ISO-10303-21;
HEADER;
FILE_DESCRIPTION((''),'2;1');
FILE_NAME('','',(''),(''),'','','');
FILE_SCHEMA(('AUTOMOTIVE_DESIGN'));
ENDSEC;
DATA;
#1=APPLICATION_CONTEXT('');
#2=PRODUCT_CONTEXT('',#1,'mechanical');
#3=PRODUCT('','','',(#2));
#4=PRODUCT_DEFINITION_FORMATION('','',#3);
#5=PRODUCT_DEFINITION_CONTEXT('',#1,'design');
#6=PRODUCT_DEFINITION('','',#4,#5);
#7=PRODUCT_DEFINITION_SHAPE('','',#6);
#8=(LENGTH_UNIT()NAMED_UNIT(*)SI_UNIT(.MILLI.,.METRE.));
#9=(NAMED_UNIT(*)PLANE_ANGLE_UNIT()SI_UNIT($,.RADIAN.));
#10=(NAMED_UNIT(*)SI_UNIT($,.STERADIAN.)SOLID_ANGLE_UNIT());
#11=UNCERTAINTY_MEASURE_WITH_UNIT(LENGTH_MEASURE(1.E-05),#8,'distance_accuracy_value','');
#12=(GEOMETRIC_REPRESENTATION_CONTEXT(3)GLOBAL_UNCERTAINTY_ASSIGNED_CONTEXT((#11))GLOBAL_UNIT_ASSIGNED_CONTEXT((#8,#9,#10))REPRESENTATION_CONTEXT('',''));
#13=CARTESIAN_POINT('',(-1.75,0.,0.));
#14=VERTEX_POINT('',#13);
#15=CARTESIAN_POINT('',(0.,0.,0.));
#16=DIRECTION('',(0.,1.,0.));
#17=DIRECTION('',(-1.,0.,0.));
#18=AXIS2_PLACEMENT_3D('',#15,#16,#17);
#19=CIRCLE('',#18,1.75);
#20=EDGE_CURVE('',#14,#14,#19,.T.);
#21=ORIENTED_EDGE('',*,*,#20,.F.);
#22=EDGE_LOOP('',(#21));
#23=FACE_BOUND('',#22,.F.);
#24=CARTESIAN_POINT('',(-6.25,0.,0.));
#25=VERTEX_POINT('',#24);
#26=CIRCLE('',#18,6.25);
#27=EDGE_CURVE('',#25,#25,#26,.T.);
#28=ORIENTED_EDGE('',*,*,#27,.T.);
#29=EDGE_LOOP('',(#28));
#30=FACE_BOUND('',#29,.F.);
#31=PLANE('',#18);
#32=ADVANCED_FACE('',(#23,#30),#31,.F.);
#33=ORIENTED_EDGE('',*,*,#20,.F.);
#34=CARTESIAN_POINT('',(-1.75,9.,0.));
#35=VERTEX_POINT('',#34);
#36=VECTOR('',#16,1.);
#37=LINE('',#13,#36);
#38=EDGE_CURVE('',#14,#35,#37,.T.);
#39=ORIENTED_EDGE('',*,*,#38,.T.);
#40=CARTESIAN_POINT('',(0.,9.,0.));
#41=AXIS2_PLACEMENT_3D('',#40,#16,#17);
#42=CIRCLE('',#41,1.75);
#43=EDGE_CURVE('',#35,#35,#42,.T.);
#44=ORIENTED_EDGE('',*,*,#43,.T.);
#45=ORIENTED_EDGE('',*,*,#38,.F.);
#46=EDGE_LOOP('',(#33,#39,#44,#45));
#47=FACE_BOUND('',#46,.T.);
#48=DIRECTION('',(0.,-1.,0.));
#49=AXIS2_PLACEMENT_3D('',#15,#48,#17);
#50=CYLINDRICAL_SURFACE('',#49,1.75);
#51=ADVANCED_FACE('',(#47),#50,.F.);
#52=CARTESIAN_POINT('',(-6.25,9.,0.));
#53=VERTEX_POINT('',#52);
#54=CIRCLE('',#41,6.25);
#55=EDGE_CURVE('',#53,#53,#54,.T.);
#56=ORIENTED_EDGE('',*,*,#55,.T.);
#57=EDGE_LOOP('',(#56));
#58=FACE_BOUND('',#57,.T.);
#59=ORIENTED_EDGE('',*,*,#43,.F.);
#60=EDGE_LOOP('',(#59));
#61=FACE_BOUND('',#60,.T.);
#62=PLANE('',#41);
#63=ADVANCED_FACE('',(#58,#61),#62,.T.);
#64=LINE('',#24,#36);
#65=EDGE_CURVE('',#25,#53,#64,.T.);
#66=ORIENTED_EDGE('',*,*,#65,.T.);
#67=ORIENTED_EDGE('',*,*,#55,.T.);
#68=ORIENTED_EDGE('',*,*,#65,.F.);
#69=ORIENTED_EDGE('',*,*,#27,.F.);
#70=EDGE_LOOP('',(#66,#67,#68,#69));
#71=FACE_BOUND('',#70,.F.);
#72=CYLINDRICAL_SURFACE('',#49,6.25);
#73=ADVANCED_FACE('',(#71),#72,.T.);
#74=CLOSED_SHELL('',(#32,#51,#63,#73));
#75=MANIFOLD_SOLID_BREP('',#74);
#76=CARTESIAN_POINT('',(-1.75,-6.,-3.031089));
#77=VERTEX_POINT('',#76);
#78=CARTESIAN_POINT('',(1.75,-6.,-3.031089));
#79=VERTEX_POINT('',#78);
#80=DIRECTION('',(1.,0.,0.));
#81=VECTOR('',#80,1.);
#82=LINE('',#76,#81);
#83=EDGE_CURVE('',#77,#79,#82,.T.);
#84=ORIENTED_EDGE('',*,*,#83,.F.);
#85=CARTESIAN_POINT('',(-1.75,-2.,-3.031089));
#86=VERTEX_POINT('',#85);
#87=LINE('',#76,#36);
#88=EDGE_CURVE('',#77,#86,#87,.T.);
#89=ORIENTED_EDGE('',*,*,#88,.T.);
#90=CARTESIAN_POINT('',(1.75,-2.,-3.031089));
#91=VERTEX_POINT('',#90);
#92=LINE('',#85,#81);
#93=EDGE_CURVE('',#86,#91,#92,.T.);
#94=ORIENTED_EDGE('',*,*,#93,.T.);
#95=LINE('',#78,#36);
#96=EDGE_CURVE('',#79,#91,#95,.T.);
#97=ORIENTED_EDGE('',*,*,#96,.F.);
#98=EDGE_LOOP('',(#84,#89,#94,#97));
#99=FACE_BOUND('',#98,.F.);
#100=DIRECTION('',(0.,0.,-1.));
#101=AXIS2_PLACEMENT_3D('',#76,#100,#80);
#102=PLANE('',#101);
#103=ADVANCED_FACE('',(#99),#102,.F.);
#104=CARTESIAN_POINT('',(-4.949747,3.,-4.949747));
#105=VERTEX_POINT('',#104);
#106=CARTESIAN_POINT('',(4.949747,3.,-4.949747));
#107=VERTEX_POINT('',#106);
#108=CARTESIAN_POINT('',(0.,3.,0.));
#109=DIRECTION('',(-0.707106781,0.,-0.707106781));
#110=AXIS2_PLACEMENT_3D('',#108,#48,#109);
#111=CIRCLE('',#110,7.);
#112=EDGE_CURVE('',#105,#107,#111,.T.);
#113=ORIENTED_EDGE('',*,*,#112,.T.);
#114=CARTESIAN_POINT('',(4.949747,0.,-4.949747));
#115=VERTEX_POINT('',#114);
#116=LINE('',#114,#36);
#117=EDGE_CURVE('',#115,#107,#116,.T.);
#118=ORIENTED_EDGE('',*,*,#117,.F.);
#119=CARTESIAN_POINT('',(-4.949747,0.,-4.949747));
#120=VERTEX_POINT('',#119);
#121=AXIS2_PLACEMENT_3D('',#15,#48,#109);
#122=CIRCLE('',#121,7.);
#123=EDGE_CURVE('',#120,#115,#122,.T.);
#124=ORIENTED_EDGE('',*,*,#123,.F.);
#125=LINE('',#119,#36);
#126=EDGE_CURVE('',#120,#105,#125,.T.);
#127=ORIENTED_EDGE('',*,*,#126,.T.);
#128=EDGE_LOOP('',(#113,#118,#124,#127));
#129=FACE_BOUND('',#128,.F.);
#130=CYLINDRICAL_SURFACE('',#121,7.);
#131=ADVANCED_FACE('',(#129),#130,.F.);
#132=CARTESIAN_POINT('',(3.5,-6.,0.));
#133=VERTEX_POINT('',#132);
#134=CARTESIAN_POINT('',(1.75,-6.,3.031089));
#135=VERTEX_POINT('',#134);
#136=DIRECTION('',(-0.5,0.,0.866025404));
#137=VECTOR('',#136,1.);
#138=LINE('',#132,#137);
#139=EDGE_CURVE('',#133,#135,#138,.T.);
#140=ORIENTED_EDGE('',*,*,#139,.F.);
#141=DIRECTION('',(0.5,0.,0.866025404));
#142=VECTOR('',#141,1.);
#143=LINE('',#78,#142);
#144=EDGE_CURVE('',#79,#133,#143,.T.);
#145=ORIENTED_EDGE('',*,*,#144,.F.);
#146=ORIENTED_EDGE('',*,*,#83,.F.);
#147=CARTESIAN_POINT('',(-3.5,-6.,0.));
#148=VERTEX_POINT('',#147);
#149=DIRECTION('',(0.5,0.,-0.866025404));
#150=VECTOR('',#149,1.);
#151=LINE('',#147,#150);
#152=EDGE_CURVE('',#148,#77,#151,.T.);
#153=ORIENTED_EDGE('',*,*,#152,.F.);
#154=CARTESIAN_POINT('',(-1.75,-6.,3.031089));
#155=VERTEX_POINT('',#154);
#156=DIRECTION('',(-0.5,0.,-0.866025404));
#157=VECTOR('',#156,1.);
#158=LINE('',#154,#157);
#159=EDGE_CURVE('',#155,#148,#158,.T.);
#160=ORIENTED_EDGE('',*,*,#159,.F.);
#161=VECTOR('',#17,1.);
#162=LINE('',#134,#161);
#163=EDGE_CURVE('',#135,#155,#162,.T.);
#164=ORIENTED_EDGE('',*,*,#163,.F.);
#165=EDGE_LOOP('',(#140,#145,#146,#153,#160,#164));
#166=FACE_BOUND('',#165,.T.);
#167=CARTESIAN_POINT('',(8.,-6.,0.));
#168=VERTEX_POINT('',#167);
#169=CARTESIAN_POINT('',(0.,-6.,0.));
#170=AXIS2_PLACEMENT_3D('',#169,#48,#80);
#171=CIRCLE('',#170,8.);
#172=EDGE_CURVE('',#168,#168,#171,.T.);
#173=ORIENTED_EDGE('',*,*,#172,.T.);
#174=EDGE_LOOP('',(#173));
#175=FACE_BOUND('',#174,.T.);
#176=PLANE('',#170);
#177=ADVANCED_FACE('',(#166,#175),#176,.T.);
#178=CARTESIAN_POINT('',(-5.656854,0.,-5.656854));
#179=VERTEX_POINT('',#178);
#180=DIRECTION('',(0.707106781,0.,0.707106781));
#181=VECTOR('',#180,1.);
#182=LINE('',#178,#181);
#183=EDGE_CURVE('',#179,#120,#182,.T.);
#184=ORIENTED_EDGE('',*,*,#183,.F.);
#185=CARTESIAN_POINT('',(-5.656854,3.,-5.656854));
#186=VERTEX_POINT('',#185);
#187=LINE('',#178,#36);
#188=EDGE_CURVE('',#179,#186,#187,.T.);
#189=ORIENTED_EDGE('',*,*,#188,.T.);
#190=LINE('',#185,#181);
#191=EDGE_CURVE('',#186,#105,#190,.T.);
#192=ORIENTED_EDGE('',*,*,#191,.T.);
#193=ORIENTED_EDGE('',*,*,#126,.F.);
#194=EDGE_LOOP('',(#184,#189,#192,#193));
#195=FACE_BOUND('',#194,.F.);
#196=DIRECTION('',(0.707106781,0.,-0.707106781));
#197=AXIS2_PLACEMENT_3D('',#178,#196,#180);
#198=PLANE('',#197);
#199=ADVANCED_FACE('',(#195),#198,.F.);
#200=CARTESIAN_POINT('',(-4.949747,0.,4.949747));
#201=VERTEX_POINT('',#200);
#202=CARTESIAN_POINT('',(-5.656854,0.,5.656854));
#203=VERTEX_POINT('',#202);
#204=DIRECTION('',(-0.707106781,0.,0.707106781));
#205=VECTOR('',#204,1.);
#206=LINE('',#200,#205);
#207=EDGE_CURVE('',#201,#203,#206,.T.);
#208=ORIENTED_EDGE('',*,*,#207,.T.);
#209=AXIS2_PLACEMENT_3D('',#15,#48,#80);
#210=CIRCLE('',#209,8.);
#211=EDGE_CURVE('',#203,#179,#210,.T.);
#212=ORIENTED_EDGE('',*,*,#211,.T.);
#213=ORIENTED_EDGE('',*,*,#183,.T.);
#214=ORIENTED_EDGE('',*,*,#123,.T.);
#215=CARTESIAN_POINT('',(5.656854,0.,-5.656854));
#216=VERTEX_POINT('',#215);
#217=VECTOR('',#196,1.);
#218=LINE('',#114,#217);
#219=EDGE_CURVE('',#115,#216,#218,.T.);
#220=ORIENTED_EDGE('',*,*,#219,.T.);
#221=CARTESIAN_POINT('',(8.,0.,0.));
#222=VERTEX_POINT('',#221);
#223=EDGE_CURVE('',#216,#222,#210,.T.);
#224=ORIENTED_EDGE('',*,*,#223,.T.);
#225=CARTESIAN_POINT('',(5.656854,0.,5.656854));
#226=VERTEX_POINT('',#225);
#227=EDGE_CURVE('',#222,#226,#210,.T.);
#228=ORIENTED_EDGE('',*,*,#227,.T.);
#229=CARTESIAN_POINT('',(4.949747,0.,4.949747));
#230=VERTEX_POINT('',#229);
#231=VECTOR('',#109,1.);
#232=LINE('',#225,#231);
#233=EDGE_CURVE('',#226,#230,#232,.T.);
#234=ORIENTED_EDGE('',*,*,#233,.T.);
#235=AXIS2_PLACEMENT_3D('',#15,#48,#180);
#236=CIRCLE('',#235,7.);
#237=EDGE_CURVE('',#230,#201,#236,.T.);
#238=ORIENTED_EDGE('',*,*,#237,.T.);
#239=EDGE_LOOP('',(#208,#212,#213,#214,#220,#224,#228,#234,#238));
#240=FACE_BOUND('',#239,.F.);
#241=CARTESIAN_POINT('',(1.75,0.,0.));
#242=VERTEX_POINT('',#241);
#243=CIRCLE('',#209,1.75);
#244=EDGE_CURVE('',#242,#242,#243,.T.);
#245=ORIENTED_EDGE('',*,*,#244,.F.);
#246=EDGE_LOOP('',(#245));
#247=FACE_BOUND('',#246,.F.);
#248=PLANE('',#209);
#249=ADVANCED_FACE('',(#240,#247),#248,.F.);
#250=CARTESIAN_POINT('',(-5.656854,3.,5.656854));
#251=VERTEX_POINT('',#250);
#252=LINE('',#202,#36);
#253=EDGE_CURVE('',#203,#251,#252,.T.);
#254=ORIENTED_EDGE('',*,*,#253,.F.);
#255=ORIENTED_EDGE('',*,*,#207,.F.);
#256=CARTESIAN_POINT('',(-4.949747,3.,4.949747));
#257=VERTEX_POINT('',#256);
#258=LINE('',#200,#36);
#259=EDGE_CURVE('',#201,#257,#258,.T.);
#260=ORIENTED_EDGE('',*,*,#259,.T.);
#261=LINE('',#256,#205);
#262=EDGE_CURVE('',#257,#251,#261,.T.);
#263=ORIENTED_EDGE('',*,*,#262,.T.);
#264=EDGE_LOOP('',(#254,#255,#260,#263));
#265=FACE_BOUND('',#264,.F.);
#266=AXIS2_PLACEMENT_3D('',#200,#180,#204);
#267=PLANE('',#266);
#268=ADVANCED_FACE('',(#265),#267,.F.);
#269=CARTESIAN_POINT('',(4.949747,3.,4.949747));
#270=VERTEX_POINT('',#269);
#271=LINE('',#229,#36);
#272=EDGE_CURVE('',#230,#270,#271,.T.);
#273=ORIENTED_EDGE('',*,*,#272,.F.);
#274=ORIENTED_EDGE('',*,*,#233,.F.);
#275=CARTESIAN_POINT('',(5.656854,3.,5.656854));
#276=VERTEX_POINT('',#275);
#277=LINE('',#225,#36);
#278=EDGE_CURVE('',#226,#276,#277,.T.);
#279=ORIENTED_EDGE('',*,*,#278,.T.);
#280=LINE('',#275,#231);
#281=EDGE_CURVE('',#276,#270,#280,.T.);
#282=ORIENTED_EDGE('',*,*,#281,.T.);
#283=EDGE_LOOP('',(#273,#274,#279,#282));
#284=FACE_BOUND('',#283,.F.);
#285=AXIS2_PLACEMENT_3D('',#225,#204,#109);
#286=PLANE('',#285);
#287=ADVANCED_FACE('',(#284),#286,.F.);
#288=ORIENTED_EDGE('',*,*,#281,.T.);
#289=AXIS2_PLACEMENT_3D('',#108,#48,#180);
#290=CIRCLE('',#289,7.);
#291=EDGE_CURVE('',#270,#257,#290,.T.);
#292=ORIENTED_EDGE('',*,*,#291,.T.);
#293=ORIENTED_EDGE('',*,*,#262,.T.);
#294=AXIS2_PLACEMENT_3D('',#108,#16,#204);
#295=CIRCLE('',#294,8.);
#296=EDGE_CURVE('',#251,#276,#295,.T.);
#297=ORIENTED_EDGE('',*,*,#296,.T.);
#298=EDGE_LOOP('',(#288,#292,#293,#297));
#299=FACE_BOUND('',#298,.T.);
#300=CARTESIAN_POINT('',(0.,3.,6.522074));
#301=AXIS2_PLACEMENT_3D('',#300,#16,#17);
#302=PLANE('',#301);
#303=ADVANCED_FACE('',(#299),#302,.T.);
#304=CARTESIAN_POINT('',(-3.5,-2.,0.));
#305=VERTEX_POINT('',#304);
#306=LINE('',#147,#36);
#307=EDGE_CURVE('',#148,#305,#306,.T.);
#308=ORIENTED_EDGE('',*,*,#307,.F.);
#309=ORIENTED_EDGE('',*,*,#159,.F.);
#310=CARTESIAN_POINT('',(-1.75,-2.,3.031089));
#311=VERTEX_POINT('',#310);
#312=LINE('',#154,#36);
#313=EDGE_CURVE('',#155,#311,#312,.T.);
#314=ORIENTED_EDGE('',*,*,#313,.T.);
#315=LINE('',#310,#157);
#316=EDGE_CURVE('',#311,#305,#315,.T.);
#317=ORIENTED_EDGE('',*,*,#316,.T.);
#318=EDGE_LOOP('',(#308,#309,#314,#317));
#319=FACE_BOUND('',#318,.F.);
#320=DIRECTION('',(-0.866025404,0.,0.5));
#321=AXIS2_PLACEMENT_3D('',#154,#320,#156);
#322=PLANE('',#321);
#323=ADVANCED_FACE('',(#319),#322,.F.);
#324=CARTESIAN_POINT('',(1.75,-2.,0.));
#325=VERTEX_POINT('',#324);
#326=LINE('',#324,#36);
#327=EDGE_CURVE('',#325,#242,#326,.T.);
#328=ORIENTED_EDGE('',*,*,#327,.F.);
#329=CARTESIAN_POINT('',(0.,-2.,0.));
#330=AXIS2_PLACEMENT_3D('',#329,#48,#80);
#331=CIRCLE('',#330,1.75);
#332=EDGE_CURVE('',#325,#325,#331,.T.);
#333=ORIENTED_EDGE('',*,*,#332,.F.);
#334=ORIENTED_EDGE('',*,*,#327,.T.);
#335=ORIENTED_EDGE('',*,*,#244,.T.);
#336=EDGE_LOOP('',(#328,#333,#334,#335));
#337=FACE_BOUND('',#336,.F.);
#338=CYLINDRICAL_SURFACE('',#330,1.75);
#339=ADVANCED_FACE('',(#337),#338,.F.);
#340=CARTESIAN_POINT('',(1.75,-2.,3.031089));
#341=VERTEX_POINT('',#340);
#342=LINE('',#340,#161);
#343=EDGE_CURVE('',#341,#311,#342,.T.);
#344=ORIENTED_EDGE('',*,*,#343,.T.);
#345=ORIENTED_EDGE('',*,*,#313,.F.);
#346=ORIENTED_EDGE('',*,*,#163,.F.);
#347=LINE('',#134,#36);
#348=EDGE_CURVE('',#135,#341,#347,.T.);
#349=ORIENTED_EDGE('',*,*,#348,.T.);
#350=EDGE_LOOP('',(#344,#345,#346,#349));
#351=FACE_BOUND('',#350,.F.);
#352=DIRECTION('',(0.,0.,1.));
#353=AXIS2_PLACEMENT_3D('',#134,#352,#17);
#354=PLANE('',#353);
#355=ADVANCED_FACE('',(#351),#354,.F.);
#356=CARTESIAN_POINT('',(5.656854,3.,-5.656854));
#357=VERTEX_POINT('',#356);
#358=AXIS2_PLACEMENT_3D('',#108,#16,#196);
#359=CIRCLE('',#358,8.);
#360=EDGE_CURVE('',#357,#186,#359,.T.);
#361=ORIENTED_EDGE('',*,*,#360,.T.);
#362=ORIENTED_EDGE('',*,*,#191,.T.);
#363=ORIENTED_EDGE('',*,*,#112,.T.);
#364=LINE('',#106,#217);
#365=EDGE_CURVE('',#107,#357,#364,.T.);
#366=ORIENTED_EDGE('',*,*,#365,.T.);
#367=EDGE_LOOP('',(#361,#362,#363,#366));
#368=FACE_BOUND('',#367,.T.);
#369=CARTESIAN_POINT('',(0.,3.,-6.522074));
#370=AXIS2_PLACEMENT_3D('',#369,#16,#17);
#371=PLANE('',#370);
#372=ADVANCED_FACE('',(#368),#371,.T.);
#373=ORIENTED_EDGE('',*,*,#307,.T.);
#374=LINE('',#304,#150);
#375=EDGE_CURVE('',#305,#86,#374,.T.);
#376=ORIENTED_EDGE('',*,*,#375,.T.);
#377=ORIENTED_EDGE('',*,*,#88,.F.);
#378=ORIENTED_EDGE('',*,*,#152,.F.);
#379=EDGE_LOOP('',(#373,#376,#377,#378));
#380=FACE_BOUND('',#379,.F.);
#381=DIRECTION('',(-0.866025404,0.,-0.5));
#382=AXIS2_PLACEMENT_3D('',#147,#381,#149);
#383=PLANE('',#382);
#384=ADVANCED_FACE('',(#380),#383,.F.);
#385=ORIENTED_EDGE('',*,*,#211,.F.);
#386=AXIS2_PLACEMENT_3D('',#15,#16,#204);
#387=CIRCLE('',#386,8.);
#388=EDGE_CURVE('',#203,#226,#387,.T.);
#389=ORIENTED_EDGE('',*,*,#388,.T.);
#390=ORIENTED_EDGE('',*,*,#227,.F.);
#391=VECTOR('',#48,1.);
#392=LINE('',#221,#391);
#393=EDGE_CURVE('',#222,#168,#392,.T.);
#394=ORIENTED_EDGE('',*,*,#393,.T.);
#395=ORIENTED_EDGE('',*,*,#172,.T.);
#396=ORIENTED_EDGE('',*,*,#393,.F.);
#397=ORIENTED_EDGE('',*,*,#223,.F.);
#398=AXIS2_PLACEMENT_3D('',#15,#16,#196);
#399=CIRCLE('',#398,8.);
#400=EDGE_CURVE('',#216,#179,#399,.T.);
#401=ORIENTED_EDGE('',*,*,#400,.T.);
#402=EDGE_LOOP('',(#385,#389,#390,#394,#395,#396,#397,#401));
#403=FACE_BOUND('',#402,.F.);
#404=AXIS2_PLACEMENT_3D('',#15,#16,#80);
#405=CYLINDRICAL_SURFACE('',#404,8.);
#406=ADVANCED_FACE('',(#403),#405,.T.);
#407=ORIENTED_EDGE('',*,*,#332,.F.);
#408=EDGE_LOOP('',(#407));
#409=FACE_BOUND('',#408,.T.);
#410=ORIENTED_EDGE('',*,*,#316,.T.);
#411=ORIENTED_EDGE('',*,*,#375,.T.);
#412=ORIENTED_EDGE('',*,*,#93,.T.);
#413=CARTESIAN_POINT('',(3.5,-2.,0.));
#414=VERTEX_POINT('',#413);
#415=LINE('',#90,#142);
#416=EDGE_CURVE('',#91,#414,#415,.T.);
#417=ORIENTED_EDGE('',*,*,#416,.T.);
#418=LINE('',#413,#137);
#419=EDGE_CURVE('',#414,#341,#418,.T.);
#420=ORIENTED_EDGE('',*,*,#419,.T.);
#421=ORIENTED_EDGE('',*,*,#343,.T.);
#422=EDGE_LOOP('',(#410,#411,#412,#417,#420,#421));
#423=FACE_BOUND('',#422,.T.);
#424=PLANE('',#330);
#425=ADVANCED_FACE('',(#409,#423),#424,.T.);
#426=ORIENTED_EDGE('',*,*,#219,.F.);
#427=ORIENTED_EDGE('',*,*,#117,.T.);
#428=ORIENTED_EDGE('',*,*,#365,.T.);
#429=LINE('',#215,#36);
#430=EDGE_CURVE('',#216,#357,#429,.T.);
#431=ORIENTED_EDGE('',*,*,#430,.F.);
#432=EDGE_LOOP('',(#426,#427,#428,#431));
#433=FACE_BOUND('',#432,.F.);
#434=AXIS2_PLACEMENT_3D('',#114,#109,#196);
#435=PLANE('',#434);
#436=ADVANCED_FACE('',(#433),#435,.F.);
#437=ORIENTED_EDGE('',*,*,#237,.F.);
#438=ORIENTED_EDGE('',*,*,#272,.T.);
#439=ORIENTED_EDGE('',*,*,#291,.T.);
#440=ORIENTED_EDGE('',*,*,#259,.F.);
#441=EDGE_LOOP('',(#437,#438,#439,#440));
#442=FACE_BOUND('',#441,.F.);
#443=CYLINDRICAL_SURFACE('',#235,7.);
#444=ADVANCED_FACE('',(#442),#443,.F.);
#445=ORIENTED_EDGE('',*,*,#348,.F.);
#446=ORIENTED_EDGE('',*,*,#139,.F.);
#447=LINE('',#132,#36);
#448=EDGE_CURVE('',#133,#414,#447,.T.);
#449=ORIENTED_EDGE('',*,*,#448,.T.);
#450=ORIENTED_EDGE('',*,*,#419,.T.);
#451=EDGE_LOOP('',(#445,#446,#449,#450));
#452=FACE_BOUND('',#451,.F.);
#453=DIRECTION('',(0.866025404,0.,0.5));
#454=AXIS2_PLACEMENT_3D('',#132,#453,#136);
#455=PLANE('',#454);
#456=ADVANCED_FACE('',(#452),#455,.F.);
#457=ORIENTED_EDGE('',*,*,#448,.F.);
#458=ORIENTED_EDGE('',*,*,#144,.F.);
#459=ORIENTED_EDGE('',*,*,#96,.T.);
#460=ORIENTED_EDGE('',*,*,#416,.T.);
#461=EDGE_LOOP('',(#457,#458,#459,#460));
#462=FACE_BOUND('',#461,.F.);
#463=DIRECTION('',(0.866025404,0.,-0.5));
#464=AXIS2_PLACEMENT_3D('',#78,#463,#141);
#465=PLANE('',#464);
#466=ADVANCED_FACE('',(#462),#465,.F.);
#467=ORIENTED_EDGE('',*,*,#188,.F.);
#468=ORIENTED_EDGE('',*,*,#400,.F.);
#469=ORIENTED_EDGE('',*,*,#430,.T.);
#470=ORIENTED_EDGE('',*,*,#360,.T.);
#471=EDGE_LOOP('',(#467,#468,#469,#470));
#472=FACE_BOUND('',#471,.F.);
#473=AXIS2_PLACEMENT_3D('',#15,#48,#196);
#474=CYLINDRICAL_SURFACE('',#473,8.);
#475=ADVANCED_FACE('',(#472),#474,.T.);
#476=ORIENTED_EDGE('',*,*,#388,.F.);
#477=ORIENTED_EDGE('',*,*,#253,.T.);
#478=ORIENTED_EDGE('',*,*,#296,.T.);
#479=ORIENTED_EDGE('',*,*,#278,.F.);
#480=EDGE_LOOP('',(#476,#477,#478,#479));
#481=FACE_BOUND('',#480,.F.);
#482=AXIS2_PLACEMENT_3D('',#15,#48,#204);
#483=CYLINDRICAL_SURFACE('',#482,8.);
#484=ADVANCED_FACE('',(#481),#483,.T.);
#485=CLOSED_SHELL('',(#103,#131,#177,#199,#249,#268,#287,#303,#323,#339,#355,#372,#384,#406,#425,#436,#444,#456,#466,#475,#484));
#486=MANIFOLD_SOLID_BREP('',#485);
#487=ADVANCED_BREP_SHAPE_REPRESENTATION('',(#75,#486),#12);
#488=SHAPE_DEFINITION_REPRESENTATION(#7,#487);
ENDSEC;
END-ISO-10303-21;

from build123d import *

# Parameters (mm, degrees)
F0_R     = 8
F1_DEPTH = 6
F3_DEPTH = 4
F5_DEPTH = 3
F6_R     = 1.75
F7_DEPTH = 25
F8_R     = 6.25
F8_R_2   = 1.75
F9_DEPTH = 9


with BuildPart() as f1:
    # F0 (on Front) → F1 (new body)
    with BuildSketch(Plane.XZ):
        Circle(F0_R)
    extrude(amount=F1_DEPTH)

    # F2 (on face) → F3 (cut)
    with BuildSketch(Plane.XZ.offset(6)):
        Polygon((-1.75, -3.0310889132), (1.75, -3.0310889132), (3.5, 0), (1.75, 3.0310889132), (-1.75, 3.0310889132), (-3.5, 0), align=None)
    extrude(amount=-F3_DEPTH, mode=Mode.SUBTRACT)

    # F4 (on face) → F5 (join)
    with BuildSketch(Plane(origin=(0, 0, 0), x_dir=(-1, 0, 0), z_dir=(0, 1, 0))):
        with BuildLine():
            Line((-4.9497474683, -4.9497474683), (-5.6568542495, -5.6568542495))
            ThreePointArc((-5.6568542495, -5.6568542495), (0, -8), (5.6568542495, -5.6568542495))
            Line((5.6568542495, -5.6568542495), (4.9497474683, -4.9497474683))
            ThreePointArc((4.9497474683, -4.9497474683), (0, -7), (-4.9497474683, -4.9497474683))
        make_face()
        with BuildLine():
            Line((4.9497474683, 4.9497474683), (5.6568542495, 5.6568542495))
            ThreePointArc((5.6568542495, 5.6568542495), (0, 8), (-5.6568542495, 5.6568542495))
            Line((-5.6568542495, 5.6568542495), (-4.9497474683, 4.9497474683))
            ThreePointArc((-4.9497474683, 4.9497474683), (0, 7), (4.9497474683, 4.9497474683))
        make_face()
    extrude(amount=F5_DEPTH)

    # F6 (on face) → F7 (cut)
    with BuildSketch(Plane.XZ.offset(2)):
        Circle(F6_R)
    extrude(amount=-F7_DEPTH, mode=Mode.SUBTRACT)


with BuildPart() as f9:
    # F8 (on face) → F9 (new body)
    with BuildSketch(Plane(origin=(0, 0, 0), x_dir=(-1, 0, 0), z_dir=(0, 1, 0))):
        Circle(F8_R)
        Circle(F8_R_2, mode=Mode.SUBTRACT)
    extrude(amount=F9_DEPTH)


solid = Compound([f1.part, f9.part])
